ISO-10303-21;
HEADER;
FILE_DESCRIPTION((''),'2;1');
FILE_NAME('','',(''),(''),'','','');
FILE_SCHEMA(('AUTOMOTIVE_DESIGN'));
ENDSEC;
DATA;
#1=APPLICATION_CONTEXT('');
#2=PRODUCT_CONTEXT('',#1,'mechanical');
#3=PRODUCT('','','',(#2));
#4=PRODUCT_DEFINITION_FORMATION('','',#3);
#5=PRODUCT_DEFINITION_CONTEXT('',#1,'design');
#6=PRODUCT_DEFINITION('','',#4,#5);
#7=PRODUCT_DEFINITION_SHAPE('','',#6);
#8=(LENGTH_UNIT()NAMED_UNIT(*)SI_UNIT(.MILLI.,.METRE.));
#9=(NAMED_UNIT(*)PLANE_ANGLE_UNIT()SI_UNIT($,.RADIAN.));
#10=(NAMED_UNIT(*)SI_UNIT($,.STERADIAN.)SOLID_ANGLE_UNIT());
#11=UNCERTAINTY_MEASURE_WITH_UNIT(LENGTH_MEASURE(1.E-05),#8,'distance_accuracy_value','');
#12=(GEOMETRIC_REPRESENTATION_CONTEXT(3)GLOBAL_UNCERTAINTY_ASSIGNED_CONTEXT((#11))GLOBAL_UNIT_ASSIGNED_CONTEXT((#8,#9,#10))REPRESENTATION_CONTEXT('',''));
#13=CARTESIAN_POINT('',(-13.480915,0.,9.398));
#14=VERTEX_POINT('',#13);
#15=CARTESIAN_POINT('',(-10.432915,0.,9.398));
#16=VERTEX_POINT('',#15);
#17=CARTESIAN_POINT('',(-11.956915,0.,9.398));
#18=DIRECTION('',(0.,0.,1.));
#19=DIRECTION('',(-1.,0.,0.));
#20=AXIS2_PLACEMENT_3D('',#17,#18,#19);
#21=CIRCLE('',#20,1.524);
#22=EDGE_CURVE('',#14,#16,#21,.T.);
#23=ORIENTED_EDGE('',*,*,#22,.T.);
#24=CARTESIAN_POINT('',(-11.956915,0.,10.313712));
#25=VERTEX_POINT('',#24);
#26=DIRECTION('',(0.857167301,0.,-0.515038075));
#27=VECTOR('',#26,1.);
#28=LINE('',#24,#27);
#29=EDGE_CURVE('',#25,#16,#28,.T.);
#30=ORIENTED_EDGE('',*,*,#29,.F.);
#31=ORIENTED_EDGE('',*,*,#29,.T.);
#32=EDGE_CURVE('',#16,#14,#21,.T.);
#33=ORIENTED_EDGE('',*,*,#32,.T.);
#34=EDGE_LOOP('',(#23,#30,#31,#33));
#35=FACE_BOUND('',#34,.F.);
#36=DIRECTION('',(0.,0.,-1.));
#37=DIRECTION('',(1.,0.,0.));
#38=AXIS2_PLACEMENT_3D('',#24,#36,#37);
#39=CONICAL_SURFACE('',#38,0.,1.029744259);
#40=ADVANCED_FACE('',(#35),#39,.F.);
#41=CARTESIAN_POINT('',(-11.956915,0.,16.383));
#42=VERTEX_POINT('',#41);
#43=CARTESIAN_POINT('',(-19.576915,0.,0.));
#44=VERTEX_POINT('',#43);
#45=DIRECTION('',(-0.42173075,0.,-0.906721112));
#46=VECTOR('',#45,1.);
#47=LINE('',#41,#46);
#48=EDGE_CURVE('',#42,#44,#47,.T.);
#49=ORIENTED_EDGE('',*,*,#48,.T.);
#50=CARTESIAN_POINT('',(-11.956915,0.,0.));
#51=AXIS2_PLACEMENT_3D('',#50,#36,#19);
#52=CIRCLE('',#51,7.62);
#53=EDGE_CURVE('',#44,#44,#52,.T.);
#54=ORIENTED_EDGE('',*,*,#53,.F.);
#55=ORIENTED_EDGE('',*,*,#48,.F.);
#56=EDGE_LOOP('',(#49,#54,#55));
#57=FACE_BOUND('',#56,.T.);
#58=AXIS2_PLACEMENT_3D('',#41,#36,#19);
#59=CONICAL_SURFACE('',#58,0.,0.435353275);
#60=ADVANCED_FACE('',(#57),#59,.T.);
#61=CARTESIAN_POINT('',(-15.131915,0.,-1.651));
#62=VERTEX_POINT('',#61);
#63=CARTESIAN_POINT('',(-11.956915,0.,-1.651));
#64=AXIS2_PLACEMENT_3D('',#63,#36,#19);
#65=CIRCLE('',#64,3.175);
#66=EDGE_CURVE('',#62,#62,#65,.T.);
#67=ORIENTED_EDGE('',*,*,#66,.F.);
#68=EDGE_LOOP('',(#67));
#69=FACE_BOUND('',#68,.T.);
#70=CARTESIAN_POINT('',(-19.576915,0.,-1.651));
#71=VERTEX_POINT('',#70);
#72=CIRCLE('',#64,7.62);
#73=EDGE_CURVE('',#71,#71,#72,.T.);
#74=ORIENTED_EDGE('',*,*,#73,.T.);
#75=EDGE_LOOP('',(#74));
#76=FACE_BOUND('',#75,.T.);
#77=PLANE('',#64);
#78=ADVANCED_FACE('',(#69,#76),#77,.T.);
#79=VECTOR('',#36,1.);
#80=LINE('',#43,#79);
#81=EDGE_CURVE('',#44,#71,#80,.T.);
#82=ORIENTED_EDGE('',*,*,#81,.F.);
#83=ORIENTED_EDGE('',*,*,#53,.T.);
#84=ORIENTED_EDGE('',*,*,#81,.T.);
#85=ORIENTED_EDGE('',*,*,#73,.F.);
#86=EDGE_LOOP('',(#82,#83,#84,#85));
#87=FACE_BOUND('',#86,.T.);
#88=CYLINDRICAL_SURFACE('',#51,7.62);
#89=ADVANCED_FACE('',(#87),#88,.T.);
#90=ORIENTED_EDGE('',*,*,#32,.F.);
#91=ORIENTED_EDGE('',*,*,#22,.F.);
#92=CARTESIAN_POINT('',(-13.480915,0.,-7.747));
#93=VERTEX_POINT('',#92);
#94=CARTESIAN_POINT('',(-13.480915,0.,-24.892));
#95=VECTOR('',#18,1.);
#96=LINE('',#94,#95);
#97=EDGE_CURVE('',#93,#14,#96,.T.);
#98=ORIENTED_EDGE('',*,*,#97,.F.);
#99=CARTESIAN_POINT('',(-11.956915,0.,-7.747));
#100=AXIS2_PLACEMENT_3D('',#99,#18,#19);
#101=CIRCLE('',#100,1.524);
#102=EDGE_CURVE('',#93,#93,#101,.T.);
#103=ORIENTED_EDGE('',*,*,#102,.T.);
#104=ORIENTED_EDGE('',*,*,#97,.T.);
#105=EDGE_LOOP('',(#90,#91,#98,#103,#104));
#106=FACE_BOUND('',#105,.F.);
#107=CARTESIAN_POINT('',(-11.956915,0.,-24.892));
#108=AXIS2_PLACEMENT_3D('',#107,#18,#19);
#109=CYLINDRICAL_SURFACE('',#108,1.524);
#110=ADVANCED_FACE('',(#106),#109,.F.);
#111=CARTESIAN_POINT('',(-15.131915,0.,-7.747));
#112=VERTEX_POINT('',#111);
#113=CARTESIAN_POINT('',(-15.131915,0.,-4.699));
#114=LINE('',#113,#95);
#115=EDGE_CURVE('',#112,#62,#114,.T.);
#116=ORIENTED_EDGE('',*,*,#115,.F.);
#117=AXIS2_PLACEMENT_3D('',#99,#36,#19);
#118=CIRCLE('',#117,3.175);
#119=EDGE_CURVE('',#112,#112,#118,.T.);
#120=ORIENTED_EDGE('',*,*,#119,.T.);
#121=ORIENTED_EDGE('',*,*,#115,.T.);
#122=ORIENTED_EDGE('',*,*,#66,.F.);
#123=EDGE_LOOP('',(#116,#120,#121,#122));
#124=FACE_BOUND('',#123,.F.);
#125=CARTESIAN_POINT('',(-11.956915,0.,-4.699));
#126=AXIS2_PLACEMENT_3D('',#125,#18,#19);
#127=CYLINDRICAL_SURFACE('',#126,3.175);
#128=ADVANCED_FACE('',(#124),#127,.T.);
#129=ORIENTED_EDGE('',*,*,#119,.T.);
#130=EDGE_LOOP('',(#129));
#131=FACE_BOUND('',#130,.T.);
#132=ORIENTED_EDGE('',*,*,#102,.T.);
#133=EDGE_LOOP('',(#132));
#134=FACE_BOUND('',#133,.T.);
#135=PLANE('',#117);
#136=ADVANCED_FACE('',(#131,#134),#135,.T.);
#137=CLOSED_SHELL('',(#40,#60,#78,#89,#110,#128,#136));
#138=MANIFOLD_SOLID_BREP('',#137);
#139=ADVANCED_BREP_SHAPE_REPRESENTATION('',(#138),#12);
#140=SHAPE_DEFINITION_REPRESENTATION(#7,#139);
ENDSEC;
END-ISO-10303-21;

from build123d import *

# Parameters (mm, degrees)
F0_W     = 3.175
F0_H     = 6.096
F3_D     = 3.048
F3_DEPTH = 17.145
F3_TIP   = 0.9157115834


with BuildPart() as f1:
    # F0 (on Front) → F1 (revolve)
    with BuildSketch(Plane.XZ):
        Polygon((-11.9569151578, -1.651), (-11.9569151578, 16.383), (-19.5769151578, 0), (-19.5769151578, -1.651), (-15.1319151578, -1.651), align=None)
        with Locations((-13.5444151578, -4.699)):
            Rectangle(F0_W, F0_H)
    revolve(axis=Axis((-11.9569151578, 0, 7.366), (0, 0, -1)))

    # F3
    with Locations(Plane(origin=(0, 0, -7.747), x_dir=(1, 0, 0), z_dir=(0, 0, -1))):
        with Locations((-11.9569151578, 0)):
            Hole(F3_D / 2, depth=F3_DEPTH)
            with Locations((0, 0, -(F3_DEPTH + F3_TIP / 2))):  # 118° drill point
                Cone(0, F3_D / 2, F3_TIP, mode=Mode.SUBTRACT)


solid = f1.part
